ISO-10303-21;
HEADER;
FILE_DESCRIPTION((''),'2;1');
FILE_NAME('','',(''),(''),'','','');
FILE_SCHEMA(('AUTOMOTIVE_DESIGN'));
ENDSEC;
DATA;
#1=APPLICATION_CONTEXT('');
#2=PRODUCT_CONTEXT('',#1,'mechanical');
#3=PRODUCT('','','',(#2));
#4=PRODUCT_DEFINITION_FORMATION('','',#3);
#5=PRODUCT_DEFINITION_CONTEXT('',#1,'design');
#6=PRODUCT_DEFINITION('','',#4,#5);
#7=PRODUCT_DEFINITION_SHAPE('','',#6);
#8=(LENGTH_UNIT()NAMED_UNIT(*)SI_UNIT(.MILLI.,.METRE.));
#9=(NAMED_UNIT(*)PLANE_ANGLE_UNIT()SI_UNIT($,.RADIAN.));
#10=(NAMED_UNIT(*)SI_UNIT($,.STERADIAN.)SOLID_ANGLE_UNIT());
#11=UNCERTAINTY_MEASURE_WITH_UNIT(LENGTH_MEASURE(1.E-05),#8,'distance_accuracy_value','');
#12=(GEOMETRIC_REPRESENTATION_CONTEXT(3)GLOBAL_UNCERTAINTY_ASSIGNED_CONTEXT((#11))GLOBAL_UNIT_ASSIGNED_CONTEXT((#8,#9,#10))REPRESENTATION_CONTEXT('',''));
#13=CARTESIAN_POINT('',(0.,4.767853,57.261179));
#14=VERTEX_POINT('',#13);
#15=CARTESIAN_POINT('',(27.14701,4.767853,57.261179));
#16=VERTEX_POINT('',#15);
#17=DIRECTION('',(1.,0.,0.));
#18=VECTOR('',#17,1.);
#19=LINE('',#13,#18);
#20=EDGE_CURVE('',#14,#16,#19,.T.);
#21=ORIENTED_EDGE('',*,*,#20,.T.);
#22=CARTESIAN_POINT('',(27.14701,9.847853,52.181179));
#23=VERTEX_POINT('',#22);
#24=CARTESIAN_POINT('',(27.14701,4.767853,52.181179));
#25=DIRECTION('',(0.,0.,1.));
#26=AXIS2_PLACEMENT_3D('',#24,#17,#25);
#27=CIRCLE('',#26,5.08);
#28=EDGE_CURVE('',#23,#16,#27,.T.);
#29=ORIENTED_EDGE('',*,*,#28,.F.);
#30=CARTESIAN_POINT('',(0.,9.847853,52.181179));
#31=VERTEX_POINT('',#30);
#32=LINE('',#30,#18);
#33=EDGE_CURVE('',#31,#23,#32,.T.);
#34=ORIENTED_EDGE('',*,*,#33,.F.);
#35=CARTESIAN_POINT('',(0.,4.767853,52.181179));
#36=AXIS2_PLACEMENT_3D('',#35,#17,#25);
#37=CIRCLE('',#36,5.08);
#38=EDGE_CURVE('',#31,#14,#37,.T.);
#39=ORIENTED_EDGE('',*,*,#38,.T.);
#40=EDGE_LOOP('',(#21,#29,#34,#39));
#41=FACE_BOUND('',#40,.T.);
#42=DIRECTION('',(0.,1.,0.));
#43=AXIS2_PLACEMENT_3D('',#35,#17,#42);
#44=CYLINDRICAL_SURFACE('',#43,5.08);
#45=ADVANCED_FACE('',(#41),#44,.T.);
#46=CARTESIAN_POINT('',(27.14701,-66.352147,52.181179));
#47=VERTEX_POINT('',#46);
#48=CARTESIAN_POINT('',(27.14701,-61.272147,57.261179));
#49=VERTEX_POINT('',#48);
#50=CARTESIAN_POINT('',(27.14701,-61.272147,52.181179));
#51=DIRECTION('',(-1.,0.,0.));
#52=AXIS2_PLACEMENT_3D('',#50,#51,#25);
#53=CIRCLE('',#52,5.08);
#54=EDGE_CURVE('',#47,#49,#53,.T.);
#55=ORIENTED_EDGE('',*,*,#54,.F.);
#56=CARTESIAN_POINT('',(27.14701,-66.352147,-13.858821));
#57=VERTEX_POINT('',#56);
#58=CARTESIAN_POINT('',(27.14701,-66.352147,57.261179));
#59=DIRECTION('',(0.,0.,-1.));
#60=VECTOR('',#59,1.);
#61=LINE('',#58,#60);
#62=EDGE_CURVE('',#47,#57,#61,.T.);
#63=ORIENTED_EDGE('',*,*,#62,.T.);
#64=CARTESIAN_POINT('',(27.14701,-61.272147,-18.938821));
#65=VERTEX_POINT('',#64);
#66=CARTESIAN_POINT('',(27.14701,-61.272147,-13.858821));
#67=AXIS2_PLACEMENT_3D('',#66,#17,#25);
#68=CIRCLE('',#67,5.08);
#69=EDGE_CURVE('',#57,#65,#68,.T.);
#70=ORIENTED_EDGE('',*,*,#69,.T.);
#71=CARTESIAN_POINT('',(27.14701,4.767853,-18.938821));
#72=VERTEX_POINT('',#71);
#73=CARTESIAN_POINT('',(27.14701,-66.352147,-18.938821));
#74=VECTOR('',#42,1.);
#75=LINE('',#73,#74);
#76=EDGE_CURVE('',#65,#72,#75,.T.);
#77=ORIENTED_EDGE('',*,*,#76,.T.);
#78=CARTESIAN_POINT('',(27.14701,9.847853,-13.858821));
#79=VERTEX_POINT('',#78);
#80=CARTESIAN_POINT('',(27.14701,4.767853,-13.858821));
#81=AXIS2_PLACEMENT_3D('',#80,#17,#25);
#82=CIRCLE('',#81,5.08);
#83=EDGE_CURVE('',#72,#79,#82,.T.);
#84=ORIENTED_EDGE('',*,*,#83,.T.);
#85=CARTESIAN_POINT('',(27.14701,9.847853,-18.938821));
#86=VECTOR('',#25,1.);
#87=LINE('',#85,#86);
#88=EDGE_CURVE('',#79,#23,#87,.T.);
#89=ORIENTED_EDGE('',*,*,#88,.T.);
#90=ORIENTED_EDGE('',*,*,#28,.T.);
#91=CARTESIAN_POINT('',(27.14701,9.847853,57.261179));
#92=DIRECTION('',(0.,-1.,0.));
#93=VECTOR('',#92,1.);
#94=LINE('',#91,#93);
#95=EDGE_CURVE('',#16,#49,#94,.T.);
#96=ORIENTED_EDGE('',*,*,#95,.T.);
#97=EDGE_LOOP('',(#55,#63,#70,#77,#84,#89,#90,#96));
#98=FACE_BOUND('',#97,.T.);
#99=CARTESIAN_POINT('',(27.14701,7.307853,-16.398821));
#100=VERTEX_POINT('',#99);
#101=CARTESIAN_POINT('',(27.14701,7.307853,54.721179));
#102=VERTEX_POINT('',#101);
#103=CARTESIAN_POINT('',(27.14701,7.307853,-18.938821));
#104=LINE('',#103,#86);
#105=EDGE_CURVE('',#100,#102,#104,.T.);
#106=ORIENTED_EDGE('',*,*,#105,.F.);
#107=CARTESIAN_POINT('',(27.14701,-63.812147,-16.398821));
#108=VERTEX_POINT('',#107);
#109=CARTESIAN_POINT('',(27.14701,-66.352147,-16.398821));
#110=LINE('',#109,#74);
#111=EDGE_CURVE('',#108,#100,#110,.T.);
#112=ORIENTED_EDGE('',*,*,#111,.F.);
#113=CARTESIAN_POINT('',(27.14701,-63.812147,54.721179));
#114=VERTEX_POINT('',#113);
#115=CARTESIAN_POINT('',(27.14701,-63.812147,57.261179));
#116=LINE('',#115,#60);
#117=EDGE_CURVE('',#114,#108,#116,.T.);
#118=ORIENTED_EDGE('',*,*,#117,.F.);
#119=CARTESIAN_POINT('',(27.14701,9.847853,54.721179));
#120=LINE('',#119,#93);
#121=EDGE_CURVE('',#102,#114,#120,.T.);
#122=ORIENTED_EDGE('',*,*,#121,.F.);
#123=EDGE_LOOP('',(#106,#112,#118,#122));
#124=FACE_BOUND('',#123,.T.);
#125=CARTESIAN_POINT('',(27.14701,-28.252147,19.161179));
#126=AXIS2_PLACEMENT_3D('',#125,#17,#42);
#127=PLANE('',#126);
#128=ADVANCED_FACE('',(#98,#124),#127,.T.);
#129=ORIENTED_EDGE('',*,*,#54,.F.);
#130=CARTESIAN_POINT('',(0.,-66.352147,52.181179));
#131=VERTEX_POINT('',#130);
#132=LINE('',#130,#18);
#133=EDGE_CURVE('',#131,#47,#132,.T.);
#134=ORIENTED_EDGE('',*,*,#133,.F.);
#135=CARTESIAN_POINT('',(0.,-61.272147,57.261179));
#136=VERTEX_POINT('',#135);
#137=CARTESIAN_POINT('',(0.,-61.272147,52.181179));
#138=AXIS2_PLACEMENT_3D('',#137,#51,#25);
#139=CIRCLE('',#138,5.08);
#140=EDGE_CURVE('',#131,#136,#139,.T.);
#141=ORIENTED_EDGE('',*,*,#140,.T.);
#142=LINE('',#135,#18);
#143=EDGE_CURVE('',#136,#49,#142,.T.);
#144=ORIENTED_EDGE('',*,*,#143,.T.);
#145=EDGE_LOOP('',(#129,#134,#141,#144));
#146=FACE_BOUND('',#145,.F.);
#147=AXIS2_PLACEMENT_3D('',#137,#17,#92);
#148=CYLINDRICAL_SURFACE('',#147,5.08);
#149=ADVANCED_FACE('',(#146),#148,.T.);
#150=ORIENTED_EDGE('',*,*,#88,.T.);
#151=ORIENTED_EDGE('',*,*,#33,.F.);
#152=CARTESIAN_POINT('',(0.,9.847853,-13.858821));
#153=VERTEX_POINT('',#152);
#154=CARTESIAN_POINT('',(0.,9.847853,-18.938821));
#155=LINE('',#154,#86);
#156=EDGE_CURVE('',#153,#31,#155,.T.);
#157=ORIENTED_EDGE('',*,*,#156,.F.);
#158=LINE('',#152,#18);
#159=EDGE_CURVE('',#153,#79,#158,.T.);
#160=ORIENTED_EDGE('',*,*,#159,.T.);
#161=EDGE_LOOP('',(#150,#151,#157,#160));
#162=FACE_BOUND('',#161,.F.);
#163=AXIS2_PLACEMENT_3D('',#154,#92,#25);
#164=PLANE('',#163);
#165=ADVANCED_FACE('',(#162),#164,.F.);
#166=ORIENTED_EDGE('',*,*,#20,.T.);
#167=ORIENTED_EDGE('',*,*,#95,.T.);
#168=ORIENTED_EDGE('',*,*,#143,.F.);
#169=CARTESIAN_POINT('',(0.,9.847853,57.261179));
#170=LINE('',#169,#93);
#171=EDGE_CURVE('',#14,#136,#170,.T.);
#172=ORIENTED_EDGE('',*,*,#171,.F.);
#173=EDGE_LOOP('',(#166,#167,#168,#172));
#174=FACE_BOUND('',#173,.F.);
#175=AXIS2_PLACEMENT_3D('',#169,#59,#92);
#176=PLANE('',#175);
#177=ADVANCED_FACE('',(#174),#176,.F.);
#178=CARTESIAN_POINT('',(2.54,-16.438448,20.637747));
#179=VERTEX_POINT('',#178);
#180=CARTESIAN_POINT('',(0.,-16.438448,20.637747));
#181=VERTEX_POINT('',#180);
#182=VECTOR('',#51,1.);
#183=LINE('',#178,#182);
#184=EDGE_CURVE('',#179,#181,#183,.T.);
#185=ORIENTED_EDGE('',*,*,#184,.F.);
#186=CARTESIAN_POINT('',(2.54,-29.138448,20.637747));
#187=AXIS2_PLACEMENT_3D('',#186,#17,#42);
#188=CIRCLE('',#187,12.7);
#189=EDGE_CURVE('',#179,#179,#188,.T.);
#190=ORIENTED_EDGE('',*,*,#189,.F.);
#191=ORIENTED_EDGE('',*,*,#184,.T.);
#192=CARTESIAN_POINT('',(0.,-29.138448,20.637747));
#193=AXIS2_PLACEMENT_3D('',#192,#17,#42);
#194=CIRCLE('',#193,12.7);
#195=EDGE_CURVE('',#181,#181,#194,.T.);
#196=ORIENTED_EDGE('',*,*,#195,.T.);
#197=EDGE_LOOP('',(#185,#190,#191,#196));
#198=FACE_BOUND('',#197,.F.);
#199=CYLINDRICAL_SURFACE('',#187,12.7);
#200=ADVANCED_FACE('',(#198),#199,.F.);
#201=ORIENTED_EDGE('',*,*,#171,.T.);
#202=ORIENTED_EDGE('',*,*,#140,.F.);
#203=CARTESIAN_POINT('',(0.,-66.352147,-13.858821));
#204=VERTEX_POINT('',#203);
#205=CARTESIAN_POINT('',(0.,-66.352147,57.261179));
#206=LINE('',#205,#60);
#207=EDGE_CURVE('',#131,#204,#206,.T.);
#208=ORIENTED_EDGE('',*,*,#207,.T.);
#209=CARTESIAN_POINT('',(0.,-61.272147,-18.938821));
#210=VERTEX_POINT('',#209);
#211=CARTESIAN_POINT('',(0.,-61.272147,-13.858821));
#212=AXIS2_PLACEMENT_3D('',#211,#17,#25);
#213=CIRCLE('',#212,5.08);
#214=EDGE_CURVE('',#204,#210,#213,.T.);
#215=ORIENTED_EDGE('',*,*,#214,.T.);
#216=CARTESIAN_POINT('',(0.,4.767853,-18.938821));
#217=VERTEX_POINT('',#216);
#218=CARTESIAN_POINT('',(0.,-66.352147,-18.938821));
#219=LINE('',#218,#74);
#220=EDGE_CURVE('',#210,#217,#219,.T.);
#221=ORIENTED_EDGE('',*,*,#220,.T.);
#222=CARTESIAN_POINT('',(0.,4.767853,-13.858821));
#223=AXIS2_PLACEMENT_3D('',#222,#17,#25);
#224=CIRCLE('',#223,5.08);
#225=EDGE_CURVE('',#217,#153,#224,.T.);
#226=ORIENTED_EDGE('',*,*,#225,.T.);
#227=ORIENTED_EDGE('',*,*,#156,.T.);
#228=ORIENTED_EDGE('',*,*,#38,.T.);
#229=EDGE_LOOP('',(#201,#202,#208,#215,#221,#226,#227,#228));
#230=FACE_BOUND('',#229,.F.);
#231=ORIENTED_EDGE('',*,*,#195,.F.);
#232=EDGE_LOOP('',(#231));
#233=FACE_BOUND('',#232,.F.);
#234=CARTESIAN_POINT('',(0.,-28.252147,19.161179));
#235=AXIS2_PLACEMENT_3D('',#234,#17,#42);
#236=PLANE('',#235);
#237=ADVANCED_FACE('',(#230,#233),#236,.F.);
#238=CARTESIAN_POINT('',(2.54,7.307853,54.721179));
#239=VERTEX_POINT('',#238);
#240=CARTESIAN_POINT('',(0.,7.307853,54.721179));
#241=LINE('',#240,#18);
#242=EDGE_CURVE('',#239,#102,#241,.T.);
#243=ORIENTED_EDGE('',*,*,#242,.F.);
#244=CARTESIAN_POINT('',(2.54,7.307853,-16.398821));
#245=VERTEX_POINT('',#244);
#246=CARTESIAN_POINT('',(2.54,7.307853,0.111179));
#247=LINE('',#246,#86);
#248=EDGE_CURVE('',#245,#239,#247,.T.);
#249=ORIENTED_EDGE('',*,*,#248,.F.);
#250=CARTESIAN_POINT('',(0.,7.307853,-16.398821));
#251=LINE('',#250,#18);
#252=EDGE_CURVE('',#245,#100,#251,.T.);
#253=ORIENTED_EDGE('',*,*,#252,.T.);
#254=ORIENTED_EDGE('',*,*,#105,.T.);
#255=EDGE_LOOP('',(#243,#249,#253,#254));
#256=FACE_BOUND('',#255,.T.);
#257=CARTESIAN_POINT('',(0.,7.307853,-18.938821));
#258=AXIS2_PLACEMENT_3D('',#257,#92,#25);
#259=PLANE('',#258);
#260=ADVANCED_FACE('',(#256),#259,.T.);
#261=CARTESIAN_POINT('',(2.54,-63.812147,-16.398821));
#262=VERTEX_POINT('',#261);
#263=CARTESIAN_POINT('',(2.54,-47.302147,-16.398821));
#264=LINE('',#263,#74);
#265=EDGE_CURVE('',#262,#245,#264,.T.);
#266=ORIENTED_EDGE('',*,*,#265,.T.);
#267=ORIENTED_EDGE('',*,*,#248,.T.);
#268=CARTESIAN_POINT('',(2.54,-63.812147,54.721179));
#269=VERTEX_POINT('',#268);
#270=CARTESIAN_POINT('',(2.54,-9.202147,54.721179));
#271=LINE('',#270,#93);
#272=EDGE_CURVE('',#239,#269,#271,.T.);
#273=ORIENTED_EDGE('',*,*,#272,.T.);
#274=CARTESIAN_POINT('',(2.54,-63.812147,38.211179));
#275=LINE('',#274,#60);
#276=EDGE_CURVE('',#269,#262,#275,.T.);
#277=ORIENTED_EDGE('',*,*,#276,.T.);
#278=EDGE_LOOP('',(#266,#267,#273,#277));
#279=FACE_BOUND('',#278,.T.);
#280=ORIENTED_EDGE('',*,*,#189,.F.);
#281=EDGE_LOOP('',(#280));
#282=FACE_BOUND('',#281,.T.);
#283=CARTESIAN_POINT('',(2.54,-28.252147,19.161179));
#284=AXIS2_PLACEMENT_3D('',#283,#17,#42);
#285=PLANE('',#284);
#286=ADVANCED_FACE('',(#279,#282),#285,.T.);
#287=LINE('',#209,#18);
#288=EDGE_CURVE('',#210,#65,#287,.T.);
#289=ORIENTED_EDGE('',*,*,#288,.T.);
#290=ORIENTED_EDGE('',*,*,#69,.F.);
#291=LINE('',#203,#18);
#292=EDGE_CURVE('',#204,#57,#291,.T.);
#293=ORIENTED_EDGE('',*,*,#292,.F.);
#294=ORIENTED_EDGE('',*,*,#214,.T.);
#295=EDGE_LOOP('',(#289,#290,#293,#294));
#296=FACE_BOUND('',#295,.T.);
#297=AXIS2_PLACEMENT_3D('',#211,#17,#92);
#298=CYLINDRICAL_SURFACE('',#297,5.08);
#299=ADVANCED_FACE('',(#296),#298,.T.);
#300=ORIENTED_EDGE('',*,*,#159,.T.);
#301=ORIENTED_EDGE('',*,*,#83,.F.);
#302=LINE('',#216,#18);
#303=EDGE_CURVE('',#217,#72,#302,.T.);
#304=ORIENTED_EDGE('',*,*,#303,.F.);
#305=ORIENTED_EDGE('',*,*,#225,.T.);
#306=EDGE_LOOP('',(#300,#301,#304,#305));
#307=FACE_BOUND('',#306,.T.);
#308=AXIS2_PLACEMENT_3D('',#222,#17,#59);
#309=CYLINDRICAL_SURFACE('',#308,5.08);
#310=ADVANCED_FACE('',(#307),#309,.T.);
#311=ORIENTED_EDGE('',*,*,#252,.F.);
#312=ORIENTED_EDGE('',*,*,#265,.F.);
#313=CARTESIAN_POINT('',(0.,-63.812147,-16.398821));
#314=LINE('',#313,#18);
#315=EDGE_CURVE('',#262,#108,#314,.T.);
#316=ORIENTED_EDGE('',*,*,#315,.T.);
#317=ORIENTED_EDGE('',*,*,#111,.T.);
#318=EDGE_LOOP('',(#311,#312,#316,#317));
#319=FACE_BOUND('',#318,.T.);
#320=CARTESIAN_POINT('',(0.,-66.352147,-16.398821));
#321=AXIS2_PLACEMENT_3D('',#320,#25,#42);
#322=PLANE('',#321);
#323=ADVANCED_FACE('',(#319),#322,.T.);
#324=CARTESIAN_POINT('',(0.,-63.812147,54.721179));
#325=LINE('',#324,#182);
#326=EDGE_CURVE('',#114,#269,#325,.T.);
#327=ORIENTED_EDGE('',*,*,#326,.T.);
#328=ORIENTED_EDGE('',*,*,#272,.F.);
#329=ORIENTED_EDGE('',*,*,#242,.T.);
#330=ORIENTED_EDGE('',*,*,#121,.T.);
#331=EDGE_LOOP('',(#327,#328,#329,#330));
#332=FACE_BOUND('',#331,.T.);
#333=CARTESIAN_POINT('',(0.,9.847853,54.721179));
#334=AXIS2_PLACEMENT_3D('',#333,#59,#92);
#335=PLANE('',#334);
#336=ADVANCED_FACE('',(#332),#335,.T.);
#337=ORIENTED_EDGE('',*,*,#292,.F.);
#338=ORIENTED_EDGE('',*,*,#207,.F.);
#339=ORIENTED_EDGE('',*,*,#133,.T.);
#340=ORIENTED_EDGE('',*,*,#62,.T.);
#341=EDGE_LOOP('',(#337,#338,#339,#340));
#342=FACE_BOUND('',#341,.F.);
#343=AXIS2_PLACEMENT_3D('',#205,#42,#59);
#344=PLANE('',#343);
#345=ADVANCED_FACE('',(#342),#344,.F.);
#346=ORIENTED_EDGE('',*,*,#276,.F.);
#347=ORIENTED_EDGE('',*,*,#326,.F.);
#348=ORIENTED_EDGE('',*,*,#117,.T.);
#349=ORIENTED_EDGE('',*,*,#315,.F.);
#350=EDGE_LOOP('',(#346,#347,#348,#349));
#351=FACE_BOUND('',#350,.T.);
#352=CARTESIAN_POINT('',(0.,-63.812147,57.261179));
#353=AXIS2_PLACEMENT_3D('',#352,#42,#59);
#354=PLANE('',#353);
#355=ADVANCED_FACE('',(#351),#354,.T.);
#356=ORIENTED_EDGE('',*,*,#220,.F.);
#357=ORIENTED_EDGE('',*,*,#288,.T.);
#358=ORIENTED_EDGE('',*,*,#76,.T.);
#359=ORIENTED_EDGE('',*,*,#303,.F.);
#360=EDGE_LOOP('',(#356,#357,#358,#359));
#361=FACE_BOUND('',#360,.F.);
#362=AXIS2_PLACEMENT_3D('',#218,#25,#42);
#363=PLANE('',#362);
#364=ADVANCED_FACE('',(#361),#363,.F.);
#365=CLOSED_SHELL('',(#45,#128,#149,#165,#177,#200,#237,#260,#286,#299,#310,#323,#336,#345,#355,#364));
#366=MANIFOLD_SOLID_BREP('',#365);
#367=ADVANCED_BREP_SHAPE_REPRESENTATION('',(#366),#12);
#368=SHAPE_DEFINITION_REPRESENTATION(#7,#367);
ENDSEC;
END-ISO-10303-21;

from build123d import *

# Parameters (mm, degrees)
F1_DEPTH = 27.14701
F2_T     = -2.54
F3_R     = 5.08
F4_R     = 12.7
F5_DEPTH = 51.567206


with BuildPart() as f1:
    # F0 (on Right) → F1 (new body)
    with BuildSketch(Plane.YZ):
        Polygon((-28.252147, 57.261179), (-66.352147, 57.261179), (-66.352147, -18.938821), (9.847853, -18.938821), (9.847853, 57.261179), align=None)
    extrude(amount=F1_DEPTH)

    # F2
    f2_openings = [f1.faces().sort_by_distance(p)[0] for p in [
        (27.14701, -28.252147, 19.161179),
    ]]
    offset(amount=F2_T, openings=f2_openings)

    # F3
    f3_edges = [f1.edges().sort_by_distance(p)[0] for p in [
        (13.573505, 9.847853, -18.938821),
        (13.573505, 9.847853, 57.261179),
        (13.573505, -66.352147, -18.938821),
        (13.573505, -66.352147, 57.261179),
    ]]
    fillet(f3_edges, radius=F3_R)

    # F4 (on face) → F5 (cut)
    with BuildSketch(Plane.YZ.offset(2.54)):
        with Locations((-29.138448, 20.637747)):
            Circle(F4_R)
    extrude(amount=-F5_DEPTH, mode=Mode.SUBTRACT)


solid = f1.part
